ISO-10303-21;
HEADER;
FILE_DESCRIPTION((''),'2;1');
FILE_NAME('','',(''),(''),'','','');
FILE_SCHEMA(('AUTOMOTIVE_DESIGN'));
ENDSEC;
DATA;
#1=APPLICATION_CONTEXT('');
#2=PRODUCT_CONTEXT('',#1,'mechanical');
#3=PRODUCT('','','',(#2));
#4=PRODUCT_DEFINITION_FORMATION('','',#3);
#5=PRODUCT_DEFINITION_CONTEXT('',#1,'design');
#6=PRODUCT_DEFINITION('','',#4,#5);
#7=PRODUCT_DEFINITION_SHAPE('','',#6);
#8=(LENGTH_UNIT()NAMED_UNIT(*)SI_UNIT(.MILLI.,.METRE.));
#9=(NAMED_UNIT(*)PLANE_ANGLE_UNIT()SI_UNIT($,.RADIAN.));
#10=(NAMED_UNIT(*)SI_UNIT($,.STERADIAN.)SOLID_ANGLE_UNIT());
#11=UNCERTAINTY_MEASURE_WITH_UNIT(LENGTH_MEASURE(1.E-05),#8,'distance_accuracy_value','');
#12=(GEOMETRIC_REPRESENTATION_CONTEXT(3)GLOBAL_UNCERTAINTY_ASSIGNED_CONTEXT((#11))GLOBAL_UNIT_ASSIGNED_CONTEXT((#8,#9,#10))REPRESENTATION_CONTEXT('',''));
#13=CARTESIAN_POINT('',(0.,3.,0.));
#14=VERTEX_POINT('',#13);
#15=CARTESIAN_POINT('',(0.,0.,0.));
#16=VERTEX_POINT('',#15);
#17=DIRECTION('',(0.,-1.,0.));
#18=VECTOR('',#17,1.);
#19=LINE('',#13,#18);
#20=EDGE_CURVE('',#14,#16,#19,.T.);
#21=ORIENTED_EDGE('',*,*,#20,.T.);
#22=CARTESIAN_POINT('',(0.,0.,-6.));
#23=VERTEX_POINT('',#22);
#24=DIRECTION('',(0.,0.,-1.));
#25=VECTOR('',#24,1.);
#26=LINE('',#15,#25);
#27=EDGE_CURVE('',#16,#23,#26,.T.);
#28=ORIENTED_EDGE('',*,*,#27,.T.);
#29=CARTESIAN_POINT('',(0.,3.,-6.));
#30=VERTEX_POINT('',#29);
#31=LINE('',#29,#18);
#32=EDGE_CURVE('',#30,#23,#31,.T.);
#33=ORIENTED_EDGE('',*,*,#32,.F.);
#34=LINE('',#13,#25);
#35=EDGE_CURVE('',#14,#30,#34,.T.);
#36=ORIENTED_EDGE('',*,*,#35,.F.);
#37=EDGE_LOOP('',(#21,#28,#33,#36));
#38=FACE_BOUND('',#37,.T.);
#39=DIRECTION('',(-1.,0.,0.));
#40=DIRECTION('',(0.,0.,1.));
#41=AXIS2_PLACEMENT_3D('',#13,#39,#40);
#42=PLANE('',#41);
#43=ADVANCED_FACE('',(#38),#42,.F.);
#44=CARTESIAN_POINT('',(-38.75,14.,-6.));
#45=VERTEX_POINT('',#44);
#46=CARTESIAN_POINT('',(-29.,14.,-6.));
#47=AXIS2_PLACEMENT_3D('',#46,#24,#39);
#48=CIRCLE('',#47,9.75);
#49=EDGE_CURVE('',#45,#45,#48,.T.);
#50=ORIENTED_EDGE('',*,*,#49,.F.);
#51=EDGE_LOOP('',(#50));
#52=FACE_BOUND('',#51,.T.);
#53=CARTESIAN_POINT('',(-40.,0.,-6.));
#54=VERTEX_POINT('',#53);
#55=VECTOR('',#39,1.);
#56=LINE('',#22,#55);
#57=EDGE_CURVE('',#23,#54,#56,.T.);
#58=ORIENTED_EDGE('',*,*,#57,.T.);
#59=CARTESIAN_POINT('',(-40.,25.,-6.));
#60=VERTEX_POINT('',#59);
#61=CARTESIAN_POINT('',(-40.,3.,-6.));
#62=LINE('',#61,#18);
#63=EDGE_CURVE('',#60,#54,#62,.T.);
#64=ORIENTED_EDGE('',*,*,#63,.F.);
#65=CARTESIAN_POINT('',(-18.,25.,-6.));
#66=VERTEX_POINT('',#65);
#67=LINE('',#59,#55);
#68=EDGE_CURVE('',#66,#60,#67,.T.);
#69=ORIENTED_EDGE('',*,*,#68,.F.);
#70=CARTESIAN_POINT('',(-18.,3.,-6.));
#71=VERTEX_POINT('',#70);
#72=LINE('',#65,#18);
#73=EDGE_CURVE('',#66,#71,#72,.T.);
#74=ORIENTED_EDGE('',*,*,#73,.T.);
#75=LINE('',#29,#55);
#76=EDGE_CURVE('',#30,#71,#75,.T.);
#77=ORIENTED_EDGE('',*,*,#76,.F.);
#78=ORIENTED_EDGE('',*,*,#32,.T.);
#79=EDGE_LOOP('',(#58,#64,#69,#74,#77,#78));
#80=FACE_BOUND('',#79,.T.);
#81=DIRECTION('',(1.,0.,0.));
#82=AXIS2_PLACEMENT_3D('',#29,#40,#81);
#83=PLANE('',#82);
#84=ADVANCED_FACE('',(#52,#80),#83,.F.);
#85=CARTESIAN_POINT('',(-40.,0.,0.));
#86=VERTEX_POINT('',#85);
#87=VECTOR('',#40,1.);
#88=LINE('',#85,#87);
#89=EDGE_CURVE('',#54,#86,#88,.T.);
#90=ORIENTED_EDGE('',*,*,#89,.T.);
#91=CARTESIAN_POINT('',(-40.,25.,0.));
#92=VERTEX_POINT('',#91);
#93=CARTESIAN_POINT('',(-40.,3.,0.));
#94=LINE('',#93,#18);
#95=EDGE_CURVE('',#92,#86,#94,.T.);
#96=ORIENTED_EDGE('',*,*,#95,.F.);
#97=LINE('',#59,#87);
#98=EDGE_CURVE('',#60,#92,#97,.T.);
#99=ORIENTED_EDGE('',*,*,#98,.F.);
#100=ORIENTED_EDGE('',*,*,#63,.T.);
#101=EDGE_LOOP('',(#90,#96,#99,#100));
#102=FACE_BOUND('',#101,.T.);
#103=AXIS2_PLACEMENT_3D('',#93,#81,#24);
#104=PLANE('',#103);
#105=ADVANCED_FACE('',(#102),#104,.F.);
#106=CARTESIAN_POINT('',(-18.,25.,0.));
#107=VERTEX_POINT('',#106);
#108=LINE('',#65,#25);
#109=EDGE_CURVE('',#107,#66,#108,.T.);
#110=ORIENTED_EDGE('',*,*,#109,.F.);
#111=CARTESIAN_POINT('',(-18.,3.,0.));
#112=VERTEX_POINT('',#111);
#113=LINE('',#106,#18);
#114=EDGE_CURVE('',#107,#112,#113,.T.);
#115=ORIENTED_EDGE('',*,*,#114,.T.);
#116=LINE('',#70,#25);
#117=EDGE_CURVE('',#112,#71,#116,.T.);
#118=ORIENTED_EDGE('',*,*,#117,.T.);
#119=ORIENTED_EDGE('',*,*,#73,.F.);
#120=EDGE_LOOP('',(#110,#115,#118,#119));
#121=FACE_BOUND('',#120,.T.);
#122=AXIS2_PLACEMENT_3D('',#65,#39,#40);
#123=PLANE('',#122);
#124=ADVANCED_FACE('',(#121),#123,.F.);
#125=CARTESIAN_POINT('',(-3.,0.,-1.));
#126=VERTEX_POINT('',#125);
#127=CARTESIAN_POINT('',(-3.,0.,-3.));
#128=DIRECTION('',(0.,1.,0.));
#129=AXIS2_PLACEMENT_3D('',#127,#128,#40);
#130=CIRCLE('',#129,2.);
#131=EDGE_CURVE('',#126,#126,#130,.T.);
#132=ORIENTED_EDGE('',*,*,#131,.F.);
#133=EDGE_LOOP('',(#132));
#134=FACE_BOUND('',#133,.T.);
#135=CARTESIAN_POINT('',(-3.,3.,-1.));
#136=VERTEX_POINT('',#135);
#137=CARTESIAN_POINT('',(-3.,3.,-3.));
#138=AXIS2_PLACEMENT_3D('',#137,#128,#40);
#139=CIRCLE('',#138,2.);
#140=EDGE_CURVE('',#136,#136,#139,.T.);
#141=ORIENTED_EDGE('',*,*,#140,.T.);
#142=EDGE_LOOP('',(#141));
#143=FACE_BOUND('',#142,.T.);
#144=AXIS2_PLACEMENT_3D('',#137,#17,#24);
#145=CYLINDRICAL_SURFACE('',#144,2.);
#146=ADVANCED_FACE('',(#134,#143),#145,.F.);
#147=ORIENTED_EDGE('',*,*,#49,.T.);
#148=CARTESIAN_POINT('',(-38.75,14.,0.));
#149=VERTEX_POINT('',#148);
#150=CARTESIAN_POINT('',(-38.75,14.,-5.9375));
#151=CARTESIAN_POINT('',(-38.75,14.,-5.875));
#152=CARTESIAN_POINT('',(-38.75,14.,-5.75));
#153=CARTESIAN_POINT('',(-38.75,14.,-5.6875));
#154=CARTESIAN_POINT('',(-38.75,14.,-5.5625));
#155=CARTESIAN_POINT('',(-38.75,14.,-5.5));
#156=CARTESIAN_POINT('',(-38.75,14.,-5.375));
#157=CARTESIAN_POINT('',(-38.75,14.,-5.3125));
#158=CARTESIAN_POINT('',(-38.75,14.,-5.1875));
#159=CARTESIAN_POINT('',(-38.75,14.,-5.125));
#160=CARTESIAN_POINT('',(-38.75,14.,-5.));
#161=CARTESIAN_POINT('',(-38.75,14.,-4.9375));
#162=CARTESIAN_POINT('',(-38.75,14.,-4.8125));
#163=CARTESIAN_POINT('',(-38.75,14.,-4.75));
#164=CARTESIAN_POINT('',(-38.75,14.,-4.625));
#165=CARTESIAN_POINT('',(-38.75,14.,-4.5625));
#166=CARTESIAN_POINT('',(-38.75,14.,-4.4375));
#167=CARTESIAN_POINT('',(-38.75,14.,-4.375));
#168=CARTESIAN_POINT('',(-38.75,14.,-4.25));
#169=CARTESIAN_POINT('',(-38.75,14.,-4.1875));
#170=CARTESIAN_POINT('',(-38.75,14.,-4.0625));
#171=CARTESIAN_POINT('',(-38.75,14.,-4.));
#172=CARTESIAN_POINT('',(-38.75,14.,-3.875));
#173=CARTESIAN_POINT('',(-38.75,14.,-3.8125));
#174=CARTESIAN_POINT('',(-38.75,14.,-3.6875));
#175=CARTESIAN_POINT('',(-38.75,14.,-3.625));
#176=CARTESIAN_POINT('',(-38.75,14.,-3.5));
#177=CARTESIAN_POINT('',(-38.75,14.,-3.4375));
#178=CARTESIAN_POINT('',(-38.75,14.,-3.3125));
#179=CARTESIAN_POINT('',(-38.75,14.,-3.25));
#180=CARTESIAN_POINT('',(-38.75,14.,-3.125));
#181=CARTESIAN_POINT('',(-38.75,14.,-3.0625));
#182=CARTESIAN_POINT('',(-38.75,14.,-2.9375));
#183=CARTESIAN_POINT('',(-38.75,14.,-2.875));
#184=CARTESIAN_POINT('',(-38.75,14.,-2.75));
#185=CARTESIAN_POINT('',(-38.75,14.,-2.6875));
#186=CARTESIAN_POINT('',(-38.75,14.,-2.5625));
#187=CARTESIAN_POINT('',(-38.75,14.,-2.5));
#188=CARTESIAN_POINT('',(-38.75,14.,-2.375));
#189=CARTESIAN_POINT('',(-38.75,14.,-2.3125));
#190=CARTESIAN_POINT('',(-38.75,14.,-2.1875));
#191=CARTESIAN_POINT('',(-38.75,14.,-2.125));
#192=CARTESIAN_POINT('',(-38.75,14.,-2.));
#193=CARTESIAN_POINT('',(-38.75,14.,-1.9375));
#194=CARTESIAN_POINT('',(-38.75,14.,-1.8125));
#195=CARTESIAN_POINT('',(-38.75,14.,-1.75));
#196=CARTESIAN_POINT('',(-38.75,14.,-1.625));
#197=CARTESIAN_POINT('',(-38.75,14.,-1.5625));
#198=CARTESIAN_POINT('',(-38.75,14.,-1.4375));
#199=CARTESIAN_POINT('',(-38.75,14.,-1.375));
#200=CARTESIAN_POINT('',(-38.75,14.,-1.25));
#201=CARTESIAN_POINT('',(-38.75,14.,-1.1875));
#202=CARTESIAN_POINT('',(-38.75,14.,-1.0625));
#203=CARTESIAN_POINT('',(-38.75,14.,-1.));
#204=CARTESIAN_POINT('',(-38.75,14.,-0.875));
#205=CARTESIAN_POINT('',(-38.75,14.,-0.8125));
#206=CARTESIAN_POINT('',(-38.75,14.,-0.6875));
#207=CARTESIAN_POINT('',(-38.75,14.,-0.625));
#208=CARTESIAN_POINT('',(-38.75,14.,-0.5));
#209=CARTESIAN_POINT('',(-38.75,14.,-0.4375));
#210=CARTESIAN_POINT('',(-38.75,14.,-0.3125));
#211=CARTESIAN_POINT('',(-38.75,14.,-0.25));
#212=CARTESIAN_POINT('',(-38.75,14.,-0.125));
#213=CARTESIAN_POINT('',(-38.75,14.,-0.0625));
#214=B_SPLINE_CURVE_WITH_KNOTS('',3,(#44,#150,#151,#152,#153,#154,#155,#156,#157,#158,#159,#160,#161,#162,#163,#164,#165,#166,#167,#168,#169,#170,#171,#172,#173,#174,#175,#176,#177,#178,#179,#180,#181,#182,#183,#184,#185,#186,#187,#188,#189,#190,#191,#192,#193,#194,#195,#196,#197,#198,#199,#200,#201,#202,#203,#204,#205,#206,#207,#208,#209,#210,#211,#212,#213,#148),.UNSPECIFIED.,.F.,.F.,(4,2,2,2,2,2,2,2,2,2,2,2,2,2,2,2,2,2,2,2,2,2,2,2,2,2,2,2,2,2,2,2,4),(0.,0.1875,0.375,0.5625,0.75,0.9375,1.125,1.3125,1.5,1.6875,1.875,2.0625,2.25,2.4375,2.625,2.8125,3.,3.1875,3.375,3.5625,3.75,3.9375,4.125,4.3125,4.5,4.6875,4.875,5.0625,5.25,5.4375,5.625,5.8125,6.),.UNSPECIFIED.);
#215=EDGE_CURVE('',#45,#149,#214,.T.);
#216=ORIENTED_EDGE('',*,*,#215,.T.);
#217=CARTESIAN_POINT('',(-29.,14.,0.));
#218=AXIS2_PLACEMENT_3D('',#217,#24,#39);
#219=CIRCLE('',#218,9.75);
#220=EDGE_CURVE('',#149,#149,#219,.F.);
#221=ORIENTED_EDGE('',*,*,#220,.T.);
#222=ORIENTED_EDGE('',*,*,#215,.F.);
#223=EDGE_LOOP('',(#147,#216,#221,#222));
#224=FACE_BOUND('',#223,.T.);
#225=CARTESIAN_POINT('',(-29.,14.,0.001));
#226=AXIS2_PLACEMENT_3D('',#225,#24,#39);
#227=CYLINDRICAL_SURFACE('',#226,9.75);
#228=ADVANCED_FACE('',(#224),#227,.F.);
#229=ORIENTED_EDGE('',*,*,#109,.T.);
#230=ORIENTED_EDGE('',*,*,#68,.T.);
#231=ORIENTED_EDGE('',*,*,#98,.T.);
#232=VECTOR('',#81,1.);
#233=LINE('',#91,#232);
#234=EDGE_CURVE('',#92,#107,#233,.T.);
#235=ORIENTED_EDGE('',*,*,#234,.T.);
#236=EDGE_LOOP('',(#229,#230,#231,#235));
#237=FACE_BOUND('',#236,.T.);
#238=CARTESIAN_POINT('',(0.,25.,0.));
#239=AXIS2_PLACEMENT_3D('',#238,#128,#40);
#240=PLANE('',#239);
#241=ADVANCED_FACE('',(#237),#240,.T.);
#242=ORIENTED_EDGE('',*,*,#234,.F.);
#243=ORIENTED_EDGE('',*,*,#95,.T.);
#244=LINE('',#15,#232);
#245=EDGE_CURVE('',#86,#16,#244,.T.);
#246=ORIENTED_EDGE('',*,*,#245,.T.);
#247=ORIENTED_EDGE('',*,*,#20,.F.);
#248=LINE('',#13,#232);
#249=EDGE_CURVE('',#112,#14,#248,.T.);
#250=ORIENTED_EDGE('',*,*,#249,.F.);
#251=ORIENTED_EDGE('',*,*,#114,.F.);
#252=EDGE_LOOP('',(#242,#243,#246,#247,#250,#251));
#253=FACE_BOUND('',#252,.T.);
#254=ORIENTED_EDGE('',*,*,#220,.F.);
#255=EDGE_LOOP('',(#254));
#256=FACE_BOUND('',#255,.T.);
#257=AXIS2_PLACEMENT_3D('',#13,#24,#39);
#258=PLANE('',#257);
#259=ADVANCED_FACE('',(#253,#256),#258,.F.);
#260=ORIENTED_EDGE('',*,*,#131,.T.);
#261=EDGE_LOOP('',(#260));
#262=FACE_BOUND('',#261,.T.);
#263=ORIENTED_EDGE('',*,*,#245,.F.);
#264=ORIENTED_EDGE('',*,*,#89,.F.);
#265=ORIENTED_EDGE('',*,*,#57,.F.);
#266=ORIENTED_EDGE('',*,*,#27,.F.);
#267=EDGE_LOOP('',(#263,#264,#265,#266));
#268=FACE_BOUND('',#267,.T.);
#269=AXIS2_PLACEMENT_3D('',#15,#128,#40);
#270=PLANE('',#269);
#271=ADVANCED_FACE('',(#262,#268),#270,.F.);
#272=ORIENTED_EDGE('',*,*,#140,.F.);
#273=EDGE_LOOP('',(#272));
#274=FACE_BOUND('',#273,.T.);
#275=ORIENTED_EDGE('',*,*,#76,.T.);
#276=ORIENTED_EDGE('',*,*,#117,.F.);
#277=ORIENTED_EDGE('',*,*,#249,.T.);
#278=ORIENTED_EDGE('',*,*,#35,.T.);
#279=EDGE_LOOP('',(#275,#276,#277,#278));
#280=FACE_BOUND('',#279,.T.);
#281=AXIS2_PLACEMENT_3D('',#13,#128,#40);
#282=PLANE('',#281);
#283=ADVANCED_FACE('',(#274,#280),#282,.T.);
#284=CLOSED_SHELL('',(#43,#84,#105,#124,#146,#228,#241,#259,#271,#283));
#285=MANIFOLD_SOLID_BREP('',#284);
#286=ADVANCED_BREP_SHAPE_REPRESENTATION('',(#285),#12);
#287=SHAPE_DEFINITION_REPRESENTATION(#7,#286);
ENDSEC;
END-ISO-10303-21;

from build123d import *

# Parameters (mm, degrees)
SKETCH2_W           = 40
SKETCH2_H           = 6
SKETCH2_R           = 2
BOSS_EXTRUDE1_DEPTH = 3
SKETCH3_W           = 22
SKETCH3_H           = 6
BOSS_EXTRUDE2_DEPTH = 22
CUT_EXTRUDE1_REACH  = 49.55
SKETCH4_R           = 9.75


with BuildPart() as part:
    # Sketch2 → Boss-Extrude1 (new body)
    with BuildSketch(Plane(origin=(0, 0, 0), x_dir=(1, 0, 0), z_dir=(0, 1, 0))):
        with Locations((-20, 3)):
            Rectangle(SKETCH2_W, SKETCH2_H)
        with Locations(Location((-3, 3, 0), (0, 0, 270))):
            Circle(SKETCH2_R, mode=Mode.SUBTRACT)
    extrude(amount=BOSS_EXTRUDE1_DEPTH)

    # Sketch3 → Boss-Extrude2 (add)
    with BuildSketch(Plane(origin=(0, 3, 0), x_dir=(1, 0, 0), z_dir=(0, 1, 0))):
        with Locations((-29, 3)):
            Rectangle(SKETCH3_W, SKETCH3_H)
    extrude(amount=BOSS_EXTRUDE2_DEPTH)

    # Sketch4 → Cut-Extrude1 (cut, up to next)
    with BuildSketch(Plane(origin=(0, 0, -6), x_dir=(-1, 0, 0), z_dir=(0, 0, -1)), mode=Mode.PRIVATE) as cut_extrude1_sk1:
        with Locations((29, 14)):
            Circle(SKETCH4_R)
    cut_extrude1_tool1 = extrude(cut_extrude1_sk1.sketch, amount=-CUT_EXTRUDE1_REACH, mode=Mode.PRIVATE) & part.part
    add(cut_extrude1_tool1.solids().sort_by_distance((-29, 14, -6))[0], mode=Mode.SUBTRACT)


solid = part.part
